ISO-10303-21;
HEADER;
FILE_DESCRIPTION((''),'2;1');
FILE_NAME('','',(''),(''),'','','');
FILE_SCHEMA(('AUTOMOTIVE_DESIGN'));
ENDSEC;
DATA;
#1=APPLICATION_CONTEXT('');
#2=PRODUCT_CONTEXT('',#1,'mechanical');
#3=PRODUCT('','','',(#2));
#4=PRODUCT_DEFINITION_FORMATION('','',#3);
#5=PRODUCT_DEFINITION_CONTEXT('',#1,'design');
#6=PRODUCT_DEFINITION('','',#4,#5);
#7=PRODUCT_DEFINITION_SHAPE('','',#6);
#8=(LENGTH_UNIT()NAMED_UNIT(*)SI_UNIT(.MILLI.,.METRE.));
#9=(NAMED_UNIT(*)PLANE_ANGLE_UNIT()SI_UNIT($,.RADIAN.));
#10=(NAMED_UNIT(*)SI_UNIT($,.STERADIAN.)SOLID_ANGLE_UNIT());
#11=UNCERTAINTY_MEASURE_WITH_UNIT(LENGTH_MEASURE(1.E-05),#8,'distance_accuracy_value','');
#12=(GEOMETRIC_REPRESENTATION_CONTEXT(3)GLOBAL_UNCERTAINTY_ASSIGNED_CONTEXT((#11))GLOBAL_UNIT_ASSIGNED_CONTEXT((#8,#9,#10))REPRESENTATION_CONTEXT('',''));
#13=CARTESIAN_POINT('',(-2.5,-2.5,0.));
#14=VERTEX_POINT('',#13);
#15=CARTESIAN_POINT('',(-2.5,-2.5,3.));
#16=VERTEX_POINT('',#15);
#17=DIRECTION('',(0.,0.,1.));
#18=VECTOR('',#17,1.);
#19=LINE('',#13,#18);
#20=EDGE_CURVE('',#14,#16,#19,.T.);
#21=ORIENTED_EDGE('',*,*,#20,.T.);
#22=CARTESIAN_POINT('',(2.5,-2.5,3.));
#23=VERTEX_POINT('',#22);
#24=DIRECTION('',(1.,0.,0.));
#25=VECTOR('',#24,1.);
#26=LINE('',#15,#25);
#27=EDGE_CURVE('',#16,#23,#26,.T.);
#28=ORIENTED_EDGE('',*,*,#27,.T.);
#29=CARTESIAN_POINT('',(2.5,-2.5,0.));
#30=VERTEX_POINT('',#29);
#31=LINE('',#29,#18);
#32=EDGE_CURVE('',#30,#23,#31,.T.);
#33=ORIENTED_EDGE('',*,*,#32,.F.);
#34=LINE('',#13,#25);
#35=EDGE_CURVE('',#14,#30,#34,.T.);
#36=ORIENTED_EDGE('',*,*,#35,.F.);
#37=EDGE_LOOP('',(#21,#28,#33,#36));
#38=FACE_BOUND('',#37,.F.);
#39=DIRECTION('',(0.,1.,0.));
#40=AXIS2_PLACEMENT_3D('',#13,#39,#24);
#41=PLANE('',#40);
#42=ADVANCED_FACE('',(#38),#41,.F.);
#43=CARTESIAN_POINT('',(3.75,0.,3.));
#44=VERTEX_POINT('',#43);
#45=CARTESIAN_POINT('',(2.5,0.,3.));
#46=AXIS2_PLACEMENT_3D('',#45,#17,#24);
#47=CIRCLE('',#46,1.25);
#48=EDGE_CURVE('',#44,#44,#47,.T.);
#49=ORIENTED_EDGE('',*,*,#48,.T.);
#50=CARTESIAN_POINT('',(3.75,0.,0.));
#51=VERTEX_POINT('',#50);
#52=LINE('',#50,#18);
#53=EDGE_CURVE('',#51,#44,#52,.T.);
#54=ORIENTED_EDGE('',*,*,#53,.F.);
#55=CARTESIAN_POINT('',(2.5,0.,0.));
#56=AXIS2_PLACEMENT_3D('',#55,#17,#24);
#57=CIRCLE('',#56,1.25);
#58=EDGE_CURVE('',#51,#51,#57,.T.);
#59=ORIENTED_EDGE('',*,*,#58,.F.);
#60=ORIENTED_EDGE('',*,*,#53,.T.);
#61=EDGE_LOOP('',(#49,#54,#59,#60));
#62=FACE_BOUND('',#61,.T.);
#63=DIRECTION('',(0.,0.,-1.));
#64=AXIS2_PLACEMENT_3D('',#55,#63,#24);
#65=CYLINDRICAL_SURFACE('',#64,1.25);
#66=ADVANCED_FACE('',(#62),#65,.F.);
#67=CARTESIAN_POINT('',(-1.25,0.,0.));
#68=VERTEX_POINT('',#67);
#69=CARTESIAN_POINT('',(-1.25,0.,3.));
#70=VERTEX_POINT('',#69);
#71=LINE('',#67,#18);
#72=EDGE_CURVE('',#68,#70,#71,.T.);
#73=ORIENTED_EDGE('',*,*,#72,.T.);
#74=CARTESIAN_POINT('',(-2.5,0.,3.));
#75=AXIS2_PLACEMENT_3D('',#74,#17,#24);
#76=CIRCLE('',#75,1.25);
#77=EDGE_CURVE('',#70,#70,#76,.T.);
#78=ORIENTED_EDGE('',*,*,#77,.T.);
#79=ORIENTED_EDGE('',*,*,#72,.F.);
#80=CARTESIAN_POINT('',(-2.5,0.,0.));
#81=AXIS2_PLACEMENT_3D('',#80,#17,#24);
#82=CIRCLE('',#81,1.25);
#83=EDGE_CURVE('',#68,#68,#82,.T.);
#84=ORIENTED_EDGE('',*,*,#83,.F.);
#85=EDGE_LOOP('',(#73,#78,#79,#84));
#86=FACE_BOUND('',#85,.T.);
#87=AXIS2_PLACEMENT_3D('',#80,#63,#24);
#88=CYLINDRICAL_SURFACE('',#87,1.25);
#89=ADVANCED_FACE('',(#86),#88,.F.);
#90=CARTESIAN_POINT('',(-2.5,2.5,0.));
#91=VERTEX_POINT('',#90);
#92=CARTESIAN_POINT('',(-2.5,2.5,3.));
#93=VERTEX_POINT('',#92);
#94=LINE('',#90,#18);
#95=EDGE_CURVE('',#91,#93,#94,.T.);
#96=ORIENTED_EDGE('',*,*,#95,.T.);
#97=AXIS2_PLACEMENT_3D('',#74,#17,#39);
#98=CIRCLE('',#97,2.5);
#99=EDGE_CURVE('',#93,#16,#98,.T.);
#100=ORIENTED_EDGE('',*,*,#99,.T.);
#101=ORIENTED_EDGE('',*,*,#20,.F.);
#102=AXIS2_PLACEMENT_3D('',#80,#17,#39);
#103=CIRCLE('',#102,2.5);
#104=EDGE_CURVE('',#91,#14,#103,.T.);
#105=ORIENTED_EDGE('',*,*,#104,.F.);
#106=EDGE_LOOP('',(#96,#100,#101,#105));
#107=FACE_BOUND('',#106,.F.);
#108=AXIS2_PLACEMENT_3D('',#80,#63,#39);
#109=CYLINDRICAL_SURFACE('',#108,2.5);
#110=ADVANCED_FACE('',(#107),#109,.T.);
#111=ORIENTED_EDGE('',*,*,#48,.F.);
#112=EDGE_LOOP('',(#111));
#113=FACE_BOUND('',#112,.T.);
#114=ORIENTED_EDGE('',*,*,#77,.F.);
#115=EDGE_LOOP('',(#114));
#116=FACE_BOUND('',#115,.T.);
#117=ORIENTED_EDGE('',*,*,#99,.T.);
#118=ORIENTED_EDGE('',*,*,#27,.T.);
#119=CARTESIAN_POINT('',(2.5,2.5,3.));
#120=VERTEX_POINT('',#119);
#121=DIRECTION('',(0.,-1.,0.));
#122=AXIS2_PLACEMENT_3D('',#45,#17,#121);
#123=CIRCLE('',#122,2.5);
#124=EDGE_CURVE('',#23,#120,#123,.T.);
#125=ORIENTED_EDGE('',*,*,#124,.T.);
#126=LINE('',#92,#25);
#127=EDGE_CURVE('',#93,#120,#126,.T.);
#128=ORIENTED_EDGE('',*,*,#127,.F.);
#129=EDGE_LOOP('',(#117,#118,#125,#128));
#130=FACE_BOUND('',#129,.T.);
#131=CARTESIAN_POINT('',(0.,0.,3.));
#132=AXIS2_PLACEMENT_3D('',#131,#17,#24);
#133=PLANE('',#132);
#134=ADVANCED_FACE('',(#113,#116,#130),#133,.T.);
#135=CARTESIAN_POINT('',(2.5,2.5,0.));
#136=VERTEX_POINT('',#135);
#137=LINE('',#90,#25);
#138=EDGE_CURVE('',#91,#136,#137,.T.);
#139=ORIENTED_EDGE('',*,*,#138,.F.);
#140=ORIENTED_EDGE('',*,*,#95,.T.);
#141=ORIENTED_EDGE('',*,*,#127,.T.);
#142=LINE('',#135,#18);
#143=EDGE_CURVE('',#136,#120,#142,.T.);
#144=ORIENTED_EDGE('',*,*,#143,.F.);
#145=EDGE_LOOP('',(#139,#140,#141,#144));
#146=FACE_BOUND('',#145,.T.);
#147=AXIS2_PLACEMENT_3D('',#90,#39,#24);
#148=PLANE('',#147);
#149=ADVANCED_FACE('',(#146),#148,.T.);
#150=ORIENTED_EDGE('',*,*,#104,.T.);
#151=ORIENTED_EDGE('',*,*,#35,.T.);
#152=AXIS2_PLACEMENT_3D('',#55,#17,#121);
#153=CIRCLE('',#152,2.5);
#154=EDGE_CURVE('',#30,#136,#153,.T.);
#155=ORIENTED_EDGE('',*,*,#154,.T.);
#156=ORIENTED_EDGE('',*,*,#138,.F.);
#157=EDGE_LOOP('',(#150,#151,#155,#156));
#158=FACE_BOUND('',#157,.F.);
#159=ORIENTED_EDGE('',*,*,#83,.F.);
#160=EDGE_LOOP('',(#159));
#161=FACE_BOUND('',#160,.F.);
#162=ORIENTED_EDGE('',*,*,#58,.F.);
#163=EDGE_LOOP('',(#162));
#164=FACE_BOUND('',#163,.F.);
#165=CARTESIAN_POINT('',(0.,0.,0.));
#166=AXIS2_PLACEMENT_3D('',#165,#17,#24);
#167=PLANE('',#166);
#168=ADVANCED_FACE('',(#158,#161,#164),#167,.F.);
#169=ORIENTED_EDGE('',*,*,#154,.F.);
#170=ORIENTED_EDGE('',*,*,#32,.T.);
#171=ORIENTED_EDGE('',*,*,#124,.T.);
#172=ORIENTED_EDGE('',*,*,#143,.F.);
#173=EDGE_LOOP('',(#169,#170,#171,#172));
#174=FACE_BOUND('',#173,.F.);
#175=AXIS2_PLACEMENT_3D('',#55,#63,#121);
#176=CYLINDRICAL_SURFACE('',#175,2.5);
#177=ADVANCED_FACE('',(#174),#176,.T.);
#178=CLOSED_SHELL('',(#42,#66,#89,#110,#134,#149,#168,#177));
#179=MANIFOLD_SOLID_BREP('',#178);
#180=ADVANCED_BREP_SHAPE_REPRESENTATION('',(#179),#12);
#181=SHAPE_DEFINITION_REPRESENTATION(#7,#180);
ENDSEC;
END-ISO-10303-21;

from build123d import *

# Parameters (mm, degrees)
SKETCH_R  = 1.25
PAD_DEPTH = 3


with BuildPart() as part:
    # Sketch → Pad (new body)
    with BuildSketch(Plane.XY):
        with BuildLine():
            ThreePointArc((-2.5, 2.5), (-5, 0), (-2.5, -2.5))
            Line((-2.5, -2.5), (2.5, -2.5))
            ThreePointArc((2.5, -2.5), (5, 0), (2.5, 2.5))
            Line((-2.5, 2.5), (2.5, 2.5))
        make_face()
        with Locations((-2.5, 0)):
            Circle(SKETCH_R, mode=Mode.SUBTRACT)
        with Locations((2.5, 0)):
            Circle(SKETCH_R, mode=Mode.SUBTRACT)
    extrude(amount=PAD_DEPTH)


solid = part.part
